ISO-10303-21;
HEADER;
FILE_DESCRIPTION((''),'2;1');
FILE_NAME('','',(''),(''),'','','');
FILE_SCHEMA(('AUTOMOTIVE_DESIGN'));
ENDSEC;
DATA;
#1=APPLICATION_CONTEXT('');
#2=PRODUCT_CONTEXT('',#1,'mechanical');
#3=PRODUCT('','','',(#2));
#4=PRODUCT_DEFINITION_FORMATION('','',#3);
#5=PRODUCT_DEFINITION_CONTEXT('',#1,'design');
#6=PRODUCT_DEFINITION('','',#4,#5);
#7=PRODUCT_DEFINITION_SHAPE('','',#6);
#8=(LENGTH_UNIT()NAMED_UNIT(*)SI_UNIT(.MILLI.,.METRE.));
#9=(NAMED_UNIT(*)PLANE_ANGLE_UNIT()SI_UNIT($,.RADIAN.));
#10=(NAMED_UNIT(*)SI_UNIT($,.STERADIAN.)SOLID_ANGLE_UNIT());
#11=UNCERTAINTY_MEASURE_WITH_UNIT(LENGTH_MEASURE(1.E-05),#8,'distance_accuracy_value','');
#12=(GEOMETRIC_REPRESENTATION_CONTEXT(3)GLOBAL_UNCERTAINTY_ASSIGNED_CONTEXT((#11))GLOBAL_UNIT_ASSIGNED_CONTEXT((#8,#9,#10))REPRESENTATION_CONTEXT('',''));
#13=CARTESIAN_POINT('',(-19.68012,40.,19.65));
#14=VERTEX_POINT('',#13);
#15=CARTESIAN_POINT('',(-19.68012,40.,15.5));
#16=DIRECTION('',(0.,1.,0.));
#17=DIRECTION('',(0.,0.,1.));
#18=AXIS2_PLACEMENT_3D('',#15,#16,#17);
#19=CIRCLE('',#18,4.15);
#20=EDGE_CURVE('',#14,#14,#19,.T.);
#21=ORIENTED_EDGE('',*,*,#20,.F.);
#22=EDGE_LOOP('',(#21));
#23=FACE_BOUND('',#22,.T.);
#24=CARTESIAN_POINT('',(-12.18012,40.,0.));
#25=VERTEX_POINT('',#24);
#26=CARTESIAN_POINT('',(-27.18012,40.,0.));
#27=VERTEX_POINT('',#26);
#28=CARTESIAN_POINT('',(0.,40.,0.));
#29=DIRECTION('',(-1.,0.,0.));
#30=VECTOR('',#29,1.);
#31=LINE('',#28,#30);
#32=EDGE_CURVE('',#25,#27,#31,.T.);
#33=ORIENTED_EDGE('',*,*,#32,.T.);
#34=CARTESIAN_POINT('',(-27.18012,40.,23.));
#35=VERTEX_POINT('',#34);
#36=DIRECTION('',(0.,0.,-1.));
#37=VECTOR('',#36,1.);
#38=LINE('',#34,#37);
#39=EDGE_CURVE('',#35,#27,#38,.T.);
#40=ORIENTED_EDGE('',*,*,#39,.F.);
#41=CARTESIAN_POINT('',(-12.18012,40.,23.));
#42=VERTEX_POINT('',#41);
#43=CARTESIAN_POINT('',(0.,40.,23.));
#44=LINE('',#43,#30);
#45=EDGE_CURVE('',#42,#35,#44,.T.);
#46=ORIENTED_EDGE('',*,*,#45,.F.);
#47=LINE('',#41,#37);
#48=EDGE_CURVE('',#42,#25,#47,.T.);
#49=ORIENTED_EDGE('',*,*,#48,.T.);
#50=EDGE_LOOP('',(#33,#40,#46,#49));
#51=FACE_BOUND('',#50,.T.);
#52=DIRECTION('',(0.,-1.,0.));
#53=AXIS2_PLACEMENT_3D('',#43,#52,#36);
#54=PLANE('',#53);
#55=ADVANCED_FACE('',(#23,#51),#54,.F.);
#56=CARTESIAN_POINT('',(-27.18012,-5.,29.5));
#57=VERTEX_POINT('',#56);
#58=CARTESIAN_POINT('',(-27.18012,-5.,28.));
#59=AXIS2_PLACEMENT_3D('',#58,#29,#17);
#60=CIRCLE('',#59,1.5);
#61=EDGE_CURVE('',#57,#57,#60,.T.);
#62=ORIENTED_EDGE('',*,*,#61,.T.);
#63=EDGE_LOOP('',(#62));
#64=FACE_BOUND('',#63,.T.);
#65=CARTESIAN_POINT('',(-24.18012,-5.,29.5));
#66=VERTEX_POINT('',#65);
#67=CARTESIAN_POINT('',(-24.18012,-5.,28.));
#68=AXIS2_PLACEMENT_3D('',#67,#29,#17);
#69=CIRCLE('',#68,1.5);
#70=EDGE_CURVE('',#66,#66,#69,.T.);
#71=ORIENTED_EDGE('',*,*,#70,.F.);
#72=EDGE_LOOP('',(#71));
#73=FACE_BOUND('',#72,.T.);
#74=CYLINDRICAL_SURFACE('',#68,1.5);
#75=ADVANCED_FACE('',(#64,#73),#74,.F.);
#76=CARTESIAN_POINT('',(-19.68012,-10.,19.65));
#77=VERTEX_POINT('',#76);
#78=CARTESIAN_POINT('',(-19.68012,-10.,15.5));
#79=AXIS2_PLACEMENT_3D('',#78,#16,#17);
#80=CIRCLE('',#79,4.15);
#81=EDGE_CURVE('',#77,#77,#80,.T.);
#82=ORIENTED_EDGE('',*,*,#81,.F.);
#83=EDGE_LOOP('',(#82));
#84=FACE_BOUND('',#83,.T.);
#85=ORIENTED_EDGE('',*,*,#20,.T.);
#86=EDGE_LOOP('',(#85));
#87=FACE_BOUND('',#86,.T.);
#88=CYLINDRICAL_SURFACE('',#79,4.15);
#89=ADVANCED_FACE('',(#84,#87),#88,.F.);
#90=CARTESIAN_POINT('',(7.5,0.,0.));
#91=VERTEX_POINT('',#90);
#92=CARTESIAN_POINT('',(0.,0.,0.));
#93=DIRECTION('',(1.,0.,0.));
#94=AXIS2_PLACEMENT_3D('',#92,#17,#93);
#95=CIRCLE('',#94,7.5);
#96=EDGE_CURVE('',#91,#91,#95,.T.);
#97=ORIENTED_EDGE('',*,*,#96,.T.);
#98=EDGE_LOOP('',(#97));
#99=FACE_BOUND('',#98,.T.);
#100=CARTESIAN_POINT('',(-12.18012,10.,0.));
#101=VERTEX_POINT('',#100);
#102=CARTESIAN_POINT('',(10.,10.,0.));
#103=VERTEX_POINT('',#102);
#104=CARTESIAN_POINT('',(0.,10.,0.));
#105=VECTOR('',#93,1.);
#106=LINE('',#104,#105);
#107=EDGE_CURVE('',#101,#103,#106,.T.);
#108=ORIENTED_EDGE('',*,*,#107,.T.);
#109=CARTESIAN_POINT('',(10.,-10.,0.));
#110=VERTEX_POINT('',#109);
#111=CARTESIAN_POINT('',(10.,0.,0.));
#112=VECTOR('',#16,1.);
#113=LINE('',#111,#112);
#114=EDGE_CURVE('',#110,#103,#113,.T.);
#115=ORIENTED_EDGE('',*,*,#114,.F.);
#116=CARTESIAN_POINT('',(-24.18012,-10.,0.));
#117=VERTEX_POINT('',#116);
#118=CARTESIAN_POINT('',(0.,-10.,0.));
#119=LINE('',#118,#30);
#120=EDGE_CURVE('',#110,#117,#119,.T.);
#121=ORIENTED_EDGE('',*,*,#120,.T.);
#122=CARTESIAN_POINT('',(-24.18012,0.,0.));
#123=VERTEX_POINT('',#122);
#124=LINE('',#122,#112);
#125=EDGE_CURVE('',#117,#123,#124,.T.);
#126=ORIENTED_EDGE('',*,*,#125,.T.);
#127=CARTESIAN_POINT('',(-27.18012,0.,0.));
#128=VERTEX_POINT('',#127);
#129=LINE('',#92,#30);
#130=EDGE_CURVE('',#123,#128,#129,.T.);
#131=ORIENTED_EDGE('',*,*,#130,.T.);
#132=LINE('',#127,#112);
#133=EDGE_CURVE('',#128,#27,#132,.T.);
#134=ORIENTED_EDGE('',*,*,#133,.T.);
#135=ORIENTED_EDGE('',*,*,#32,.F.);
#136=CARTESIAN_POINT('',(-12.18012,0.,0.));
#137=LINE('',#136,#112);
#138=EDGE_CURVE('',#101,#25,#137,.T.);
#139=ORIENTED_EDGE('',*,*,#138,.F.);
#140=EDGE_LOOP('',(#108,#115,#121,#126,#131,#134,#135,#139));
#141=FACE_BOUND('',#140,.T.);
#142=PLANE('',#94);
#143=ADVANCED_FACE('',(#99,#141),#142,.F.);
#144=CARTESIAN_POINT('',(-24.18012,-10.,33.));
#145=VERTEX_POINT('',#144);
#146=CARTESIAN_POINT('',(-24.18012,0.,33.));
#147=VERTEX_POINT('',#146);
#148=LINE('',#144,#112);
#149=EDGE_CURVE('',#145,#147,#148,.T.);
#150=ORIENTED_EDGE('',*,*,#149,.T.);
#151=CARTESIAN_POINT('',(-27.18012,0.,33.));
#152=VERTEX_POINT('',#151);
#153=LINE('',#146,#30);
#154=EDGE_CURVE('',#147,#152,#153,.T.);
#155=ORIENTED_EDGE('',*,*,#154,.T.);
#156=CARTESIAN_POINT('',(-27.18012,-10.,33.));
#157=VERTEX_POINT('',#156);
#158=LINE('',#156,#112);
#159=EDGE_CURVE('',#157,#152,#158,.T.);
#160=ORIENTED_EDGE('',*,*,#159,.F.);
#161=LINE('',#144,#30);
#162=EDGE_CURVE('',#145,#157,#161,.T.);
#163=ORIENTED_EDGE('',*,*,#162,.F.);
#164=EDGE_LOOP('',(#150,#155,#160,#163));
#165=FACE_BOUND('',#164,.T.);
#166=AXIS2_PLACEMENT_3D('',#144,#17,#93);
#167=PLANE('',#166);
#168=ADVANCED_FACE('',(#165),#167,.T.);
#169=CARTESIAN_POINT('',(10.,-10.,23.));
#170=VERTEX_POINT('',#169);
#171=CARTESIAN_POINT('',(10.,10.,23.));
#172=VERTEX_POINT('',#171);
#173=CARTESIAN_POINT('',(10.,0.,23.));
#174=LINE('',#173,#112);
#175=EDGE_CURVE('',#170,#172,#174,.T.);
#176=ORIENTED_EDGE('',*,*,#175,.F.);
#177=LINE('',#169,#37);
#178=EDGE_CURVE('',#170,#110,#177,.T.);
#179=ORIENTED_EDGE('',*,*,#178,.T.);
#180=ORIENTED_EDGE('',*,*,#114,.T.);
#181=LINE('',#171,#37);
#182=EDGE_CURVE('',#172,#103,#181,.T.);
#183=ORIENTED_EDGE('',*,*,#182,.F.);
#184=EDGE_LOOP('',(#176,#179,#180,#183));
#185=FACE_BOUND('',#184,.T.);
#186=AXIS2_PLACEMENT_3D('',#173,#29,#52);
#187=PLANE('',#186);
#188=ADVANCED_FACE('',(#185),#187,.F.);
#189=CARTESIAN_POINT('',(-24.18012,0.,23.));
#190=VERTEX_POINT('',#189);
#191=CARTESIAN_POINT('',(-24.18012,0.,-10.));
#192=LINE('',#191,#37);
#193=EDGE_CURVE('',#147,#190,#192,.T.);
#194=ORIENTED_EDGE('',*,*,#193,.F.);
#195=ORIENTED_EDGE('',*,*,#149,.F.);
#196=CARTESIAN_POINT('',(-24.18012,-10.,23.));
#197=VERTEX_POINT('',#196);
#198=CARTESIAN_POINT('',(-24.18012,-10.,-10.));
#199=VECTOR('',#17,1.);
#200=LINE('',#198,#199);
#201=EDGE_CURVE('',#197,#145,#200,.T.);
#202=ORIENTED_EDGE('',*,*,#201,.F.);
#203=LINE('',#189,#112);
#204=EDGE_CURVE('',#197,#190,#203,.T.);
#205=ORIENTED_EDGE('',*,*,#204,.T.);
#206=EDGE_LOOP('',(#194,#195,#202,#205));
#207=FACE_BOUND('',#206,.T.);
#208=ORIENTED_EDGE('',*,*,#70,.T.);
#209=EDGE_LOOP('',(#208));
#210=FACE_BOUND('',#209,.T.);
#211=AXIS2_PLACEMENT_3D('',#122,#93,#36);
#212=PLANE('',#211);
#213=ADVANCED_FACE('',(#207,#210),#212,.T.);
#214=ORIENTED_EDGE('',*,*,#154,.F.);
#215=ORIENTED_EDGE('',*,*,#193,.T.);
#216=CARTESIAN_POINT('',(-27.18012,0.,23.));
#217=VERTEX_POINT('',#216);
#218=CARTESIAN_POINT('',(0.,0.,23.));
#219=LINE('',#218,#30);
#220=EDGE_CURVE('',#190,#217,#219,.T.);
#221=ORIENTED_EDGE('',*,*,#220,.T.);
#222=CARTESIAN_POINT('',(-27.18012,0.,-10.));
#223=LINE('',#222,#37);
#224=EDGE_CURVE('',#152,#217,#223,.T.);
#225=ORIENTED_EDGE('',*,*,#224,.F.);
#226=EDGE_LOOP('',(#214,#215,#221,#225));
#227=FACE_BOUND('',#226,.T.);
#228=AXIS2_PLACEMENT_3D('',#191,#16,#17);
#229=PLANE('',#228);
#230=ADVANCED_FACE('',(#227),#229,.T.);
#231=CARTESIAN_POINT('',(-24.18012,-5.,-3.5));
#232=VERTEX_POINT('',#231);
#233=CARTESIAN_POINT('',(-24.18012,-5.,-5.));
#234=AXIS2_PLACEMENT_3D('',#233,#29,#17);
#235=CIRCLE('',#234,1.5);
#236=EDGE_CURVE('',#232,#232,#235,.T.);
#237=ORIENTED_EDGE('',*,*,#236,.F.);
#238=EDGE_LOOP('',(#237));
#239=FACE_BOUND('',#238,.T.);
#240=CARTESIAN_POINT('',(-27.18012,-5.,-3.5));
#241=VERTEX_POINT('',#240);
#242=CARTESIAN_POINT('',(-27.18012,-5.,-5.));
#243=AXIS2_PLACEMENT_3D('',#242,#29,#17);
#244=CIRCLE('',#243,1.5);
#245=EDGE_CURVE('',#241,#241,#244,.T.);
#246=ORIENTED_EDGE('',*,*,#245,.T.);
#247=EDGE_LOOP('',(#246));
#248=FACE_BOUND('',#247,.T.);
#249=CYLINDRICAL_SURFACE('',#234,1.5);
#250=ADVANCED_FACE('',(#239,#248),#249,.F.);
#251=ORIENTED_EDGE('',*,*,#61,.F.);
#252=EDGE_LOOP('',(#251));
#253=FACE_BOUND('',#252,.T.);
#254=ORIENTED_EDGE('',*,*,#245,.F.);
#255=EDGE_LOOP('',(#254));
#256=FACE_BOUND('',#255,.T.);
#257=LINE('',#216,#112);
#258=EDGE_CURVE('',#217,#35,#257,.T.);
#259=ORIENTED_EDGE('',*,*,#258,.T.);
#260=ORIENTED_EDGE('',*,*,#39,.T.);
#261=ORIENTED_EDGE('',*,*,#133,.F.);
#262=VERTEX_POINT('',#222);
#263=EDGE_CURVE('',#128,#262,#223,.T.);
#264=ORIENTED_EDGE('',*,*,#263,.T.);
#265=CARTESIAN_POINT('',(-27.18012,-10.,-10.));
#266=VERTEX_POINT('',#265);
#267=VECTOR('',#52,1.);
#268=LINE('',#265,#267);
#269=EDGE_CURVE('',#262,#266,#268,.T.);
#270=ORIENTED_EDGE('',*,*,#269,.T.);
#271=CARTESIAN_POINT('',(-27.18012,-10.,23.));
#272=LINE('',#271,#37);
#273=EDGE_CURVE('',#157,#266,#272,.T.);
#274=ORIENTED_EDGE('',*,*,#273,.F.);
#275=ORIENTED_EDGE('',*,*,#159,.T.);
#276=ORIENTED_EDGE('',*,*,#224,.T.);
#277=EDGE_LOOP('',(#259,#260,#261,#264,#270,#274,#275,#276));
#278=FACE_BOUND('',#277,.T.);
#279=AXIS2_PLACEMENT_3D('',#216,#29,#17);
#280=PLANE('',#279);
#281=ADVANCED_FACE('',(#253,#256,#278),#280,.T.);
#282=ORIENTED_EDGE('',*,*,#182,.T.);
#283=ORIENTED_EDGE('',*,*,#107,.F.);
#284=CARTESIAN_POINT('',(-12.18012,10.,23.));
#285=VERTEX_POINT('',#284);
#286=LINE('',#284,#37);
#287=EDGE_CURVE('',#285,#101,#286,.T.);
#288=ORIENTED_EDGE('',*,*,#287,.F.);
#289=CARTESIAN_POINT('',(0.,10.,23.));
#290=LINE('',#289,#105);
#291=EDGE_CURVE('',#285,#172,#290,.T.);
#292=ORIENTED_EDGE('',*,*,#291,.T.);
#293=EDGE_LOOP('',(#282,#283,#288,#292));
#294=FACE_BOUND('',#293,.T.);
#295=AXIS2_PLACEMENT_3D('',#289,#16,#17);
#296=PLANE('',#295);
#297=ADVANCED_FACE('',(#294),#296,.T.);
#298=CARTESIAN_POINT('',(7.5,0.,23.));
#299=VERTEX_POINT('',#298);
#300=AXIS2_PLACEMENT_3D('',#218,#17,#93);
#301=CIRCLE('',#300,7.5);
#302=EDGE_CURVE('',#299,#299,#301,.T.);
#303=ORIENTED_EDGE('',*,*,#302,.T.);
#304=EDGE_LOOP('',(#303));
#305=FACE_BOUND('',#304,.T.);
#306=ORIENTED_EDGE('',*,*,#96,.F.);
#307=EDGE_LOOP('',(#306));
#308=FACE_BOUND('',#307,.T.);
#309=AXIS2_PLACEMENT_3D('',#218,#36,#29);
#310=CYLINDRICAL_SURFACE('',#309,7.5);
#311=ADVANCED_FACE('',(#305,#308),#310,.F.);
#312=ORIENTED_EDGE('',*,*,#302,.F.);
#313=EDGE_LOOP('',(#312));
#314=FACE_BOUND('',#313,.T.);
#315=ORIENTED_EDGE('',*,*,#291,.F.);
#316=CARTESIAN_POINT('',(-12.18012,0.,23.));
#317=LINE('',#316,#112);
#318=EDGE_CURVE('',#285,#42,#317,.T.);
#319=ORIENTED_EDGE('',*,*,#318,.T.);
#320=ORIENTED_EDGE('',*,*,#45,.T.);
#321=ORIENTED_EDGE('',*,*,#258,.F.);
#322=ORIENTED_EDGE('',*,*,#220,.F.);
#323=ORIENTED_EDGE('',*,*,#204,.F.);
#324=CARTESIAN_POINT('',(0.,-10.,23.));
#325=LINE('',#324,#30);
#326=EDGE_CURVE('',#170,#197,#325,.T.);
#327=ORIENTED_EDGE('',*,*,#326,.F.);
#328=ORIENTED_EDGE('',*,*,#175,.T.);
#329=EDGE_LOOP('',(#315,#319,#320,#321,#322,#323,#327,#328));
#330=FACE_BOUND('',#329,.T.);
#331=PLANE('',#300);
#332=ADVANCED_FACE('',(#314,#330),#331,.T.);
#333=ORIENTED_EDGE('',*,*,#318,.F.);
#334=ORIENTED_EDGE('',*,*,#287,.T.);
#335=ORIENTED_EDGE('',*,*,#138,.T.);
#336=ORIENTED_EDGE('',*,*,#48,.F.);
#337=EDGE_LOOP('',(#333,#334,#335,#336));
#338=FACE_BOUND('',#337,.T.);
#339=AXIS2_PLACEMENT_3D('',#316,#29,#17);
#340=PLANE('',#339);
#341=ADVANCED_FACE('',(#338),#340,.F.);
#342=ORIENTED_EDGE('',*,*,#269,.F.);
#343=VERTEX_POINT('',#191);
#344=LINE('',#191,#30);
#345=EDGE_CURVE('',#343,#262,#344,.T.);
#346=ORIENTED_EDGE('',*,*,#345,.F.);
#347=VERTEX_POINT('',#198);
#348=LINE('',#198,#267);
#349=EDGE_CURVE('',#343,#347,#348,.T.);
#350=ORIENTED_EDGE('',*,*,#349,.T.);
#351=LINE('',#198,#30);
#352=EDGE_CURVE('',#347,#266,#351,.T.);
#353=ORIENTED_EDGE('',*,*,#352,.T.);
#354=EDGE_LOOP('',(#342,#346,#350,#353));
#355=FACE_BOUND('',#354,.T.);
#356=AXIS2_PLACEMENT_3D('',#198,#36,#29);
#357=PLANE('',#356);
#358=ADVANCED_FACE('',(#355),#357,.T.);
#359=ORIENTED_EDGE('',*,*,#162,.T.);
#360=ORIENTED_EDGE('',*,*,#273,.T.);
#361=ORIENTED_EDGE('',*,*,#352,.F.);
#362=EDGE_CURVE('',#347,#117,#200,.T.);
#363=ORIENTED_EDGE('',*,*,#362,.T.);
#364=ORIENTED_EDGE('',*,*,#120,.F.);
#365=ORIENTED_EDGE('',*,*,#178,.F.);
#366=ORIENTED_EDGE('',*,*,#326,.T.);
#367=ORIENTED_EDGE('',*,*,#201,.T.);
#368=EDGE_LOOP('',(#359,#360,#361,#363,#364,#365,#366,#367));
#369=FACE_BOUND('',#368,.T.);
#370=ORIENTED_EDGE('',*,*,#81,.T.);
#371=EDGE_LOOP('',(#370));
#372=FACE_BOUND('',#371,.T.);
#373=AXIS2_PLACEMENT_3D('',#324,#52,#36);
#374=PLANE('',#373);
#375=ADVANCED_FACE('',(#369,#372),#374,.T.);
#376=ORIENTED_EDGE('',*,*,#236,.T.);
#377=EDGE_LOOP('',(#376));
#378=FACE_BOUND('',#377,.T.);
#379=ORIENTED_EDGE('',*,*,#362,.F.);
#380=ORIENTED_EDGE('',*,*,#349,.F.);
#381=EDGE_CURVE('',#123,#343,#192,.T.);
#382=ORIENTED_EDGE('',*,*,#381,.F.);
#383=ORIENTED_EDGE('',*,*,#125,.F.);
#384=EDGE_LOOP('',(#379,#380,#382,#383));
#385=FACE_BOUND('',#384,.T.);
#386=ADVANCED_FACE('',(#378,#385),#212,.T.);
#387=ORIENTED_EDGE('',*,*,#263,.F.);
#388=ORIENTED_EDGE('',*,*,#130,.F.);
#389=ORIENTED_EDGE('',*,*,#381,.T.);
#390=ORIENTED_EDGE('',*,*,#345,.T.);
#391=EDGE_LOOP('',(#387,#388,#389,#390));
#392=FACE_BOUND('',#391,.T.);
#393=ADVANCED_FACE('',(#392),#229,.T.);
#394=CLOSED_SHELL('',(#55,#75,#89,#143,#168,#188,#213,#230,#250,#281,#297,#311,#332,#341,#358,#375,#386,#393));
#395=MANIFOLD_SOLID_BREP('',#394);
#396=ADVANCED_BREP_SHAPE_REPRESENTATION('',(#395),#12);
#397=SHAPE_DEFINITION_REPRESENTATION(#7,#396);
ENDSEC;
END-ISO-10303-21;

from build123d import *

# Parameters (mm, degrees)
SKETCH1_R           = 7.5
BOSS_EXTRUDE1_DEPTH = 23
SKETCH2_R           = 4.15
CUT_EXTRUDE1_DEPTH  = 62.382073123
SKETCH3_W           = 43
SKETCH3_H           = 10
SKETCH3_R           = 1.5
BOSS_EXTRUDE2_DEPTH = 3


with BuildPart() as part:
    # Sketch1 → Boss-Extrude1 (new body)
    with BuildSketch(Plane.XY):
        Polygon((-12.180119589, 10), (-12.180119589, 40), (-27.180119589, 40), (-27.180119589, -10), (10, -10), (10, 10), align=None)
        Circle(SKETCH1_R, mode=Mode.SUBTRACT)
    extrude(amount=BOSS_EXTRUDE1_DEPTH)

    # Sketch2 → Cut-Extrude1 (cut, through all)
    with BuildSketch(Plane(origin=(0, 40, 0), x_dir=(1, 0, 0), z_dir=(0, 1, 0))):
        with Locations(Location((-19.680119589, -15.5, 0), (0, 0, 270))):
            Circle(SKETCH2_R)
    extrude(amount=-CUT_EXTRUDE1_DEPTH, mode=Mode.SUBTRACT)

    # Sketch3 → Boss-Extrude2 (add)
    with BuildSketch(Plane.ZY.offset(27.180119589)):
        with Locations((11.5, -5)):
            Rectangle(SKETCH3_W, SKETCH3_H)
        with Locations((-5, -5)):
            Circle(SKETCH3_R, mode=Mode.SUBTRACT)
        with Locations((28, -5)):
            Circle(SKETCH3_R, mode=Mode.SUBTRACT)
    extrude(amount=-BOSS_EXTRUDE2_DEPTH)


solid = part.part
